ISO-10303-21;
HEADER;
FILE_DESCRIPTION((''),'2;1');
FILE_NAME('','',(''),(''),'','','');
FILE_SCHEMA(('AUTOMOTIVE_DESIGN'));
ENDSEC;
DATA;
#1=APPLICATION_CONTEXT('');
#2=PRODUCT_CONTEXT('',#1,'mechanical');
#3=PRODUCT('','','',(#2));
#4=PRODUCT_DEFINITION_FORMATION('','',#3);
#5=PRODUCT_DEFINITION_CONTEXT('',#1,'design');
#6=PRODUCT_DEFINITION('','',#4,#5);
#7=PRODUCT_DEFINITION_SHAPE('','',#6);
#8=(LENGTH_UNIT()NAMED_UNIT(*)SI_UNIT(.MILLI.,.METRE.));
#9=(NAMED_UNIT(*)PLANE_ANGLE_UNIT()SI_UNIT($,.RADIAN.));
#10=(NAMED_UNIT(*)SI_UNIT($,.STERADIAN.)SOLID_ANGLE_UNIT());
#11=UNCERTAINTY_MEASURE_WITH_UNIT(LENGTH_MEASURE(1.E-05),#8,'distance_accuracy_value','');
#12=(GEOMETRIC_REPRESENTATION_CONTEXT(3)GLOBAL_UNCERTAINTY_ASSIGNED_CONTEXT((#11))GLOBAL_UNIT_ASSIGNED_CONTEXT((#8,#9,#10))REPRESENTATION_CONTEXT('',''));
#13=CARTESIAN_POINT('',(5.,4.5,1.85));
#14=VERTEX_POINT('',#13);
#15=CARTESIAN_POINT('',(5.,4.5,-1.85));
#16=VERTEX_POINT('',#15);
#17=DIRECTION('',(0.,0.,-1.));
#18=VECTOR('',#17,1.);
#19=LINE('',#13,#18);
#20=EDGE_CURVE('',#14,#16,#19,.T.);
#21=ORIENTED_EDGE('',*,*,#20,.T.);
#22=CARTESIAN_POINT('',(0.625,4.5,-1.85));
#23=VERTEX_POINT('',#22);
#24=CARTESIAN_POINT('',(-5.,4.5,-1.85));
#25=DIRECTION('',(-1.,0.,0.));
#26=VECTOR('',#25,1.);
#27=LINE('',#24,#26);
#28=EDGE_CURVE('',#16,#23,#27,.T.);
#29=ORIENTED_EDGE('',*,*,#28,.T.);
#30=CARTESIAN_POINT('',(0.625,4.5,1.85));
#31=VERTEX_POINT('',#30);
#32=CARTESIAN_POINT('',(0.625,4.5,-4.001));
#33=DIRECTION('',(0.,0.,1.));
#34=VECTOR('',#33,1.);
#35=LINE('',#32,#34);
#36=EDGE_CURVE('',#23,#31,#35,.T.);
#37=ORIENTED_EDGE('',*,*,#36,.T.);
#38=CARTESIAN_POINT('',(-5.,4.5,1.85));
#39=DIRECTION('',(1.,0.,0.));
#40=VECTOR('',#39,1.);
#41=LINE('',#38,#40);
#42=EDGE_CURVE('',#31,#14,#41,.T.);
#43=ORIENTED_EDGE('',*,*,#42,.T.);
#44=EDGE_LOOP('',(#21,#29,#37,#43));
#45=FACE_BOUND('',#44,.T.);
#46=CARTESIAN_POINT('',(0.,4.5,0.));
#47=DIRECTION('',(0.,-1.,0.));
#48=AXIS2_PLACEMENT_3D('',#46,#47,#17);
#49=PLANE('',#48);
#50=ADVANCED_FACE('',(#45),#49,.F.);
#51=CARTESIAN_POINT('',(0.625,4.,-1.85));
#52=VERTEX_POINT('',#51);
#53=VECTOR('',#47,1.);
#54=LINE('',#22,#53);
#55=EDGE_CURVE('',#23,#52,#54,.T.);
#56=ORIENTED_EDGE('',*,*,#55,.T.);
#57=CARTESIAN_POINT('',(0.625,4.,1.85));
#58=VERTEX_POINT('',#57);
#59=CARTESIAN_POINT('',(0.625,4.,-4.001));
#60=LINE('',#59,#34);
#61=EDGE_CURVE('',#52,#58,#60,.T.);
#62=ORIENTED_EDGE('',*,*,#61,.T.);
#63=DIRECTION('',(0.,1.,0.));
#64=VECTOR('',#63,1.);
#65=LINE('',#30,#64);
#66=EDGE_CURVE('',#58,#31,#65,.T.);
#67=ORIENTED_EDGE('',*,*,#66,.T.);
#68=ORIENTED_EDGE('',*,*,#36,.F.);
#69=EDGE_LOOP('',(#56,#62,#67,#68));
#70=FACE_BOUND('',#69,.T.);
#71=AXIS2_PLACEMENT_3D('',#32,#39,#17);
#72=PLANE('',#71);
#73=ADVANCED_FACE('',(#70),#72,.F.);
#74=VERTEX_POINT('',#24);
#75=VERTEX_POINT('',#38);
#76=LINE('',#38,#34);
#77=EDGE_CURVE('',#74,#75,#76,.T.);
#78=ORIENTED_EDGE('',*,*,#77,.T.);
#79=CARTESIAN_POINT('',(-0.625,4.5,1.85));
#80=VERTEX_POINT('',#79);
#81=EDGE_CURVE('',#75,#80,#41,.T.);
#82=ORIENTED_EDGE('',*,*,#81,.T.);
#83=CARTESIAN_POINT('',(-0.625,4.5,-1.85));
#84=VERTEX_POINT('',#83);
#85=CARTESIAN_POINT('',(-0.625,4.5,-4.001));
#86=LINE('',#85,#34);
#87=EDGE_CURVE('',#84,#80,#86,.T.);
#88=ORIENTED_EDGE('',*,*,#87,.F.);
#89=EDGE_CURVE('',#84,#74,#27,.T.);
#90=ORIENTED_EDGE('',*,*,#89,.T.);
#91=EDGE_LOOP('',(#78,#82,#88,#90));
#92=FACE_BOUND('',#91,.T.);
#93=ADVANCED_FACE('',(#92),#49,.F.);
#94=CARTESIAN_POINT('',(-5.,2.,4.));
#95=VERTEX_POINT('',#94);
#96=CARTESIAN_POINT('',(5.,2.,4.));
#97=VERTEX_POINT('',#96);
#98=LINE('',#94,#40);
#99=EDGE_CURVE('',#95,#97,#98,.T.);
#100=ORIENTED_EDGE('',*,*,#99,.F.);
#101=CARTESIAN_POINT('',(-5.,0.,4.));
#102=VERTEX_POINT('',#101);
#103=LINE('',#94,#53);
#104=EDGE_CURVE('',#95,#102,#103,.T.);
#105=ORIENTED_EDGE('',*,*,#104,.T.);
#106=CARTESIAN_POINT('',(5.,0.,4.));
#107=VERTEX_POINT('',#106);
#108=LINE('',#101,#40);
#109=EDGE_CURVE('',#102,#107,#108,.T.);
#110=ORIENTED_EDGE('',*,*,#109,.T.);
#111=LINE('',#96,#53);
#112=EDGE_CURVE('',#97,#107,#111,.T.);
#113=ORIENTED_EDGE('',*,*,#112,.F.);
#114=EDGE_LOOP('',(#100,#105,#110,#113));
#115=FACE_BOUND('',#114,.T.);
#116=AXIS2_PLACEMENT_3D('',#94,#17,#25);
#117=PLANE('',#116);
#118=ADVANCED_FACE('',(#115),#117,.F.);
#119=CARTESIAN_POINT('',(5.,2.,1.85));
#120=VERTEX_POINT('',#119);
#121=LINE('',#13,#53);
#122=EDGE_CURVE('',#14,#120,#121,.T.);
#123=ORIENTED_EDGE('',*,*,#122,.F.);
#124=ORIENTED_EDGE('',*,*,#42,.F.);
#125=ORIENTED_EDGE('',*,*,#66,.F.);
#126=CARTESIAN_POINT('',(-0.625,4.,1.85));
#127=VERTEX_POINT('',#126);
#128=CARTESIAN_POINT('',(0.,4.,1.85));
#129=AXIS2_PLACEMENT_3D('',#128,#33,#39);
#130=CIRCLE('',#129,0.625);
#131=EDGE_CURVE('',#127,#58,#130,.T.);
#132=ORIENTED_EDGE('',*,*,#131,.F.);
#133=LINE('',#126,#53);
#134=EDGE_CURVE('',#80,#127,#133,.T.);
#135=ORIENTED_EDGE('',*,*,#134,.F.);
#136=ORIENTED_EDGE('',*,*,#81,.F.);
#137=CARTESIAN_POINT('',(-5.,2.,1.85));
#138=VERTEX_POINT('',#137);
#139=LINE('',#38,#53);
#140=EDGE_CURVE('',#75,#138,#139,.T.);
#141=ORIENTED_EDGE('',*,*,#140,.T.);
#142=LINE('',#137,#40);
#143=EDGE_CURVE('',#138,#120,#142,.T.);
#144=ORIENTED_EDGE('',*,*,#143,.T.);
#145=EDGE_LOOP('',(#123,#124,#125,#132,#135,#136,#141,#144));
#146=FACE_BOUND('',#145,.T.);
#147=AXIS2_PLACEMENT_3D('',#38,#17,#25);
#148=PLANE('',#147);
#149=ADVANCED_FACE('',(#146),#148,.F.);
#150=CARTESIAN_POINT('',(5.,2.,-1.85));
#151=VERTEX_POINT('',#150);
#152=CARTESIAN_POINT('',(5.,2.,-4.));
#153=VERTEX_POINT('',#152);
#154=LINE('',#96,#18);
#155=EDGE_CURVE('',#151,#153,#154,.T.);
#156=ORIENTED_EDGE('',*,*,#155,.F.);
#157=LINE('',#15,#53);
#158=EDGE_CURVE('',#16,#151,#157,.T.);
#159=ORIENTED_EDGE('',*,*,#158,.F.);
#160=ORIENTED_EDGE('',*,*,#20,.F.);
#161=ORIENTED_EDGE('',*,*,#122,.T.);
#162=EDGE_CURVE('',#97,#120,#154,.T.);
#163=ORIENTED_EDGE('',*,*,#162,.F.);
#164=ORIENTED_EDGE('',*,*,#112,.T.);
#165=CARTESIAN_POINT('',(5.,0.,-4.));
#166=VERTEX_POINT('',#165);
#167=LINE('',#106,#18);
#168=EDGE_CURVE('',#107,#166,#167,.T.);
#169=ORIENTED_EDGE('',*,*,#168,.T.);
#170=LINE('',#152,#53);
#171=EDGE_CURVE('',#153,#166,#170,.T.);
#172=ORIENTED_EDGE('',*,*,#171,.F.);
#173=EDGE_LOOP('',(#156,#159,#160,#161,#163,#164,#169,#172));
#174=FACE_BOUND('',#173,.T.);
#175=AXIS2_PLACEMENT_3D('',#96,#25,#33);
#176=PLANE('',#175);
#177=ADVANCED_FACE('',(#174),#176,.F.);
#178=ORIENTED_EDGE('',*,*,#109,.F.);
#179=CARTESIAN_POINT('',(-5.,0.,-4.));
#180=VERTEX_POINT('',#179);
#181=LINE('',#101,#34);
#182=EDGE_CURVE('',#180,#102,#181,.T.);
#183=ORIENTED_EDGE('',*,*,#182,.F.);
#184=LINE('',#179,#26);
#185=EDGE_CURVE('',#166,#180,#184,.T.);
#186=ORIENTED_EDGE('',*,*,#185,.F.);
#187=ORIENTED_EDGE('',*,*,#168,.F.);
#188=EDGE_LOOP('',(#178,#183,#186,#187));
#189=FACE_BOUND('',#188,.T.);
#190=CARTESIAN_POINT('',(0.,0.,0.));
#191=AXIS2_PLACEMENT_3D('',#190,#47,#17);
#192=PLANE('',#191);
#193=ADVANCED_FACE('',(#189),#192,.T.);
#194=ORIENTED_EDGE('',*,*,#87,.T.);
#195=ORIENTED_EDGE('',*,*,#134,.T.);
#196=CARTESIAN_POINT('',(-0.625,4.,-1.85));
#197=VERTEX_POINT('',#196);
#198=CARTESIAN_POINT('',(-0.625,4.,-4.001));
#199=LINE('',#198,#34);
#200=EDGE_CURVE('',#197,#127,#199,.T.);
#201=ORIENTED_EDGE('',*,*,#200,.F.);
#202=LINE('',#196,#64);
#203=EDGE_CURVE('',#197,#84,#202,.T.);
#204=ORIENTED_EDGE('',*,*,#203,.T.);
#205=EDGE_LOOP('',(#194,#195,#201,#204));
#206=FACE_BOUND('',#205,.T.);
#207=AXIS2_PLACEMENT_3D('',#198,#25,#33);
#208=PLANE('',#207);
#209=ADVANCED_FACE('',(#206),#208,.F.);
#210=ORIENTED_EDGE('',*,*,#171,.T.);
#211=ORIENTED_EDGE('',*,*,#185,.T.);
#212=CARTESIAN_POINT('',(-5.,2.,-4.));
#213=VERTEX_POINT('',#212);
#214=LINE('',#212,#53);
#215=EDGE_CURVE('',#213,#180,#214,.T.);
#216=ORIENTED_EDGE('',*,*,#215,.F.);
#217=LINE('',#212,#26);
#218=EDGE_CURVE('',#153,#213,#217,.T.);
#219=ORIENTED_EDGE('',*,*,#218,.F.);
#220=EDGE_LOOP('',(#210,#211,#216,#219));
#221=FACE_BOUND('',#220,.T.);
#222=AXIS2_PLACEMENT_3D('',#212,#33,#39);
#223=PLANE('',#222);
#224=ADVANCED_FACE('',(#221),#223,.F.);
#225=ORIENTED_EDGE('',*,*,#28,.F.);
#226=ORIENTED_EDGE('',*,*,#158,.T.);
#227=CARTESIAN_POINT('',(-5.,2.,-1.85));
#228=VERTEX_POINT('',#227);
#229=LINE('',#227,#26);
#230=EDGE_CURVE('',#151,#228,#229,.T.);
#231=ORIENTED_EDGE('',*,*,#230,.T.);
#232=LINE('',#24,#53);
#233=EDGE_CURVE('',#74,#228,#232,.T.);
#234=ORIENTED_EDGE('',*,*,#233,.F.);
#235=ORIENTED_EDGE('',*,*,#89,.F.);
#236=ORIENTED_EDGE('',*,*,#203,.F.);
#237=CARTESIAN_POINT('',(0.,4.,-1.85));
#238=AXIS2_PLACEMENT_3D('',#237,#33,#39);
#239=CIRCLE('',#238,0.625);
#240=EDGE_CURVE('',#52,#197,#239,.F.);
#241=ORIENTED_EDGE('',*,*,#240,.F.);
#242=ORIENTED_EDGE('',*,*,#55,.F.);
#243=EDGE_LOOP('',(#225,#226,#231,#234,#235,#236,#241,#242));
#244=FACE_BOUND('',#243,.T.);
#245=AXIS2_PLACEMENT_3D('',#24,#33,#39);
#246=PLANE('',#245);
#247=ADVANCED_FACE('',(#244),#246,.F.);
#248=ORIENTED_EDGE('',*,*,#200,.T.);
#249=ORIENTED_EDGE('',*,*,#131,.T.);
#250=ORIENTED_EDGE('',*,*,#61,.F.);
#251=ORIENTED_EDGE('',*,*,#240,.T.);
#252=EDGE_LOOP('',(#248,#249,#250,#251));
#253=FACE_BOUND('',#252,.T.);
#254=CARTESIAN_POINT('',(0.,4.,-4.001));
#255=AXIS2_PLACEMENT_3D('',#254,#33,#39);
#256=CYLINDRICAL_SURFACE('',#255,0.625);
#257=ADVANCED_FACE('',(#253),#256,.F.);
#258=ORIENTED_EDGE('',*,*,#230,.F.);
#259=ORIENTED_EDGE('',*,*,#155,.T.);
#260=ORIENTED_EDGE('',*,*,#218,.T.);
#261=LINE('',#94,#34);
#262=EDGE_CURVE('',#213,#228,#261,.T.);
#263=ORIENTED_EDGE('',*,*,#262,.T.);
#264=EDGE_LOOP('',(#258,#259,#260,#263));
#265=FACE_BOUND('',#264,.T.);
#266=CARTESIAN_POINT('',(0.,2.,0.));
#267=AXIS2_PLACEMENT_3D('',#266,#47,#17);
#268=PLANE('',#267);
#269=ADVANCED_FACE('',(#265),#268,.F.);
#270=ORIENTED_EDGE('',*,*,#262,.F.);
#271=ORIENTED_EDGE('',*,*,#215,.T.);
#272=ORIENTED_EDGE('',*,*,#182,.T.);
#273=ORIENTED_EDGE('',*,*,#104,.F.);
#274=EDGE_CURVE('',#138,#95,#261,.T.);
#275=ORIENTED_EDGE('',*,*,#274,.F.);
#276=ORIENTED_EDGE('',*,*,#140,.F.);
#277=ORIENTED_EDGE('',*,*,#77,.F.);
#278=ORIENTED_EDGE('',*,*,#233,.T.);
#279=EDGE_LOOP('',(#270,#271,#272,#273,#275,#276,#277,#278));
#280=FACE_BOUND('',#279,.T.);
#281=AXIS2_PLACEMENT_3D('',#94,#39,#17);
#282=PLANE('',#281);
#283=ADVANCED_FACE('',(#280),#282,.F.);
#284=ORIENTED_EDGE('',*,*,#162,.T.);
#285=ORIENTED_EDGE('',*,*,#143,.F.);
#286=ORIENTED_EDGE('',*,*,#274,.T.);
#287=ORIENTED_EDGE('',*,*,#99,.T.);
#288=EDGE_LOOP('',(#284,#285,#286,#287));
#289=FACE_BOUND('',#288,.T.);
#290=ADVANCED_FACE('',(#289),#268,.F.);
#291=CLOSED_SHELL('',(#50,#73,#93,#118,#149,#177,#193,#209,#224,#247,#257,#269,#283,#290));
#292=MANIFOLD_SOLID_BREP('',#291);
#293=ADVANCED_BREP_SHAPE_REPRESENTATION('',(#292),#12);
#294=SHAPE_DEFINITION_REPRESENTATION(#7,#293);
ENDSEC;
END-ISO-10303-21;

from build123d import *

# Parameters (mm, degrees)
SKETCH1_W           = 10
SKETCH1_H           = 8
BOSS_EXTRUDE1_DEPTH = 2
SKETCH2_W           = 10
SKETCH2_H           = 3.7
BOSS_EXTRUDE2_DEPTH = 2.5
CUT_EXTRUDE1_REACH  = 10.915


with BuildPart() as part:
    # Sketch1 → Boss-Extrude1 (new body)
    with BuildSketch(Plane(origin=(0, 0, 0), x_dir=(1, 0, 0), z_dir=(0, 1, 0))):
        Rectangle(SKETCH1_W, SKETCH1_H)
    extrude(amount=BOSS_EXTRUDE1_DEPTH)

    # Sketch2 → Boss-Extrude2 (add)
    with BuildSketch(Plane(origin=(0, 2, 0), x_dir=(1, 0, 0), z_dir=(0, 1, 0))):
        Rectangle(SKETCH2_W, SKETCH2_H)
    extrude(amount=BOSS_EXTRUDE2_DEPTH)

    # Sketch3 → Cut-Extrude1 (cut, up to next)
    with BuildSketch(Plane.XY.offset(1.85), mode=Mode.PRIVATE) as cut_extrude1_sk1:
        with BuildLine():
            Line((-0.625, 4), (-0.625, 4.5))
            Line((-0.625, 4.5), (0.625, 4.5))
            Line((0.625, 4.5), (0.625, 4))
            ThreePointArc((0.625, 4), (0, 3.375), (-0.625, 4))
        make_face()
    cut_extrude1_tool1 = extrude(cut_extrude1_sk1.sketch, amount=-CUT_EXTRUDE1_REACH, mode=Mode.PRIVATE) & part.part
    add(cut_extrude1_tool1.solids().sort_by_distance((0, 3.994744, 1.85))[0], mode=Mode.SUBTRACT)


solid = part.part
